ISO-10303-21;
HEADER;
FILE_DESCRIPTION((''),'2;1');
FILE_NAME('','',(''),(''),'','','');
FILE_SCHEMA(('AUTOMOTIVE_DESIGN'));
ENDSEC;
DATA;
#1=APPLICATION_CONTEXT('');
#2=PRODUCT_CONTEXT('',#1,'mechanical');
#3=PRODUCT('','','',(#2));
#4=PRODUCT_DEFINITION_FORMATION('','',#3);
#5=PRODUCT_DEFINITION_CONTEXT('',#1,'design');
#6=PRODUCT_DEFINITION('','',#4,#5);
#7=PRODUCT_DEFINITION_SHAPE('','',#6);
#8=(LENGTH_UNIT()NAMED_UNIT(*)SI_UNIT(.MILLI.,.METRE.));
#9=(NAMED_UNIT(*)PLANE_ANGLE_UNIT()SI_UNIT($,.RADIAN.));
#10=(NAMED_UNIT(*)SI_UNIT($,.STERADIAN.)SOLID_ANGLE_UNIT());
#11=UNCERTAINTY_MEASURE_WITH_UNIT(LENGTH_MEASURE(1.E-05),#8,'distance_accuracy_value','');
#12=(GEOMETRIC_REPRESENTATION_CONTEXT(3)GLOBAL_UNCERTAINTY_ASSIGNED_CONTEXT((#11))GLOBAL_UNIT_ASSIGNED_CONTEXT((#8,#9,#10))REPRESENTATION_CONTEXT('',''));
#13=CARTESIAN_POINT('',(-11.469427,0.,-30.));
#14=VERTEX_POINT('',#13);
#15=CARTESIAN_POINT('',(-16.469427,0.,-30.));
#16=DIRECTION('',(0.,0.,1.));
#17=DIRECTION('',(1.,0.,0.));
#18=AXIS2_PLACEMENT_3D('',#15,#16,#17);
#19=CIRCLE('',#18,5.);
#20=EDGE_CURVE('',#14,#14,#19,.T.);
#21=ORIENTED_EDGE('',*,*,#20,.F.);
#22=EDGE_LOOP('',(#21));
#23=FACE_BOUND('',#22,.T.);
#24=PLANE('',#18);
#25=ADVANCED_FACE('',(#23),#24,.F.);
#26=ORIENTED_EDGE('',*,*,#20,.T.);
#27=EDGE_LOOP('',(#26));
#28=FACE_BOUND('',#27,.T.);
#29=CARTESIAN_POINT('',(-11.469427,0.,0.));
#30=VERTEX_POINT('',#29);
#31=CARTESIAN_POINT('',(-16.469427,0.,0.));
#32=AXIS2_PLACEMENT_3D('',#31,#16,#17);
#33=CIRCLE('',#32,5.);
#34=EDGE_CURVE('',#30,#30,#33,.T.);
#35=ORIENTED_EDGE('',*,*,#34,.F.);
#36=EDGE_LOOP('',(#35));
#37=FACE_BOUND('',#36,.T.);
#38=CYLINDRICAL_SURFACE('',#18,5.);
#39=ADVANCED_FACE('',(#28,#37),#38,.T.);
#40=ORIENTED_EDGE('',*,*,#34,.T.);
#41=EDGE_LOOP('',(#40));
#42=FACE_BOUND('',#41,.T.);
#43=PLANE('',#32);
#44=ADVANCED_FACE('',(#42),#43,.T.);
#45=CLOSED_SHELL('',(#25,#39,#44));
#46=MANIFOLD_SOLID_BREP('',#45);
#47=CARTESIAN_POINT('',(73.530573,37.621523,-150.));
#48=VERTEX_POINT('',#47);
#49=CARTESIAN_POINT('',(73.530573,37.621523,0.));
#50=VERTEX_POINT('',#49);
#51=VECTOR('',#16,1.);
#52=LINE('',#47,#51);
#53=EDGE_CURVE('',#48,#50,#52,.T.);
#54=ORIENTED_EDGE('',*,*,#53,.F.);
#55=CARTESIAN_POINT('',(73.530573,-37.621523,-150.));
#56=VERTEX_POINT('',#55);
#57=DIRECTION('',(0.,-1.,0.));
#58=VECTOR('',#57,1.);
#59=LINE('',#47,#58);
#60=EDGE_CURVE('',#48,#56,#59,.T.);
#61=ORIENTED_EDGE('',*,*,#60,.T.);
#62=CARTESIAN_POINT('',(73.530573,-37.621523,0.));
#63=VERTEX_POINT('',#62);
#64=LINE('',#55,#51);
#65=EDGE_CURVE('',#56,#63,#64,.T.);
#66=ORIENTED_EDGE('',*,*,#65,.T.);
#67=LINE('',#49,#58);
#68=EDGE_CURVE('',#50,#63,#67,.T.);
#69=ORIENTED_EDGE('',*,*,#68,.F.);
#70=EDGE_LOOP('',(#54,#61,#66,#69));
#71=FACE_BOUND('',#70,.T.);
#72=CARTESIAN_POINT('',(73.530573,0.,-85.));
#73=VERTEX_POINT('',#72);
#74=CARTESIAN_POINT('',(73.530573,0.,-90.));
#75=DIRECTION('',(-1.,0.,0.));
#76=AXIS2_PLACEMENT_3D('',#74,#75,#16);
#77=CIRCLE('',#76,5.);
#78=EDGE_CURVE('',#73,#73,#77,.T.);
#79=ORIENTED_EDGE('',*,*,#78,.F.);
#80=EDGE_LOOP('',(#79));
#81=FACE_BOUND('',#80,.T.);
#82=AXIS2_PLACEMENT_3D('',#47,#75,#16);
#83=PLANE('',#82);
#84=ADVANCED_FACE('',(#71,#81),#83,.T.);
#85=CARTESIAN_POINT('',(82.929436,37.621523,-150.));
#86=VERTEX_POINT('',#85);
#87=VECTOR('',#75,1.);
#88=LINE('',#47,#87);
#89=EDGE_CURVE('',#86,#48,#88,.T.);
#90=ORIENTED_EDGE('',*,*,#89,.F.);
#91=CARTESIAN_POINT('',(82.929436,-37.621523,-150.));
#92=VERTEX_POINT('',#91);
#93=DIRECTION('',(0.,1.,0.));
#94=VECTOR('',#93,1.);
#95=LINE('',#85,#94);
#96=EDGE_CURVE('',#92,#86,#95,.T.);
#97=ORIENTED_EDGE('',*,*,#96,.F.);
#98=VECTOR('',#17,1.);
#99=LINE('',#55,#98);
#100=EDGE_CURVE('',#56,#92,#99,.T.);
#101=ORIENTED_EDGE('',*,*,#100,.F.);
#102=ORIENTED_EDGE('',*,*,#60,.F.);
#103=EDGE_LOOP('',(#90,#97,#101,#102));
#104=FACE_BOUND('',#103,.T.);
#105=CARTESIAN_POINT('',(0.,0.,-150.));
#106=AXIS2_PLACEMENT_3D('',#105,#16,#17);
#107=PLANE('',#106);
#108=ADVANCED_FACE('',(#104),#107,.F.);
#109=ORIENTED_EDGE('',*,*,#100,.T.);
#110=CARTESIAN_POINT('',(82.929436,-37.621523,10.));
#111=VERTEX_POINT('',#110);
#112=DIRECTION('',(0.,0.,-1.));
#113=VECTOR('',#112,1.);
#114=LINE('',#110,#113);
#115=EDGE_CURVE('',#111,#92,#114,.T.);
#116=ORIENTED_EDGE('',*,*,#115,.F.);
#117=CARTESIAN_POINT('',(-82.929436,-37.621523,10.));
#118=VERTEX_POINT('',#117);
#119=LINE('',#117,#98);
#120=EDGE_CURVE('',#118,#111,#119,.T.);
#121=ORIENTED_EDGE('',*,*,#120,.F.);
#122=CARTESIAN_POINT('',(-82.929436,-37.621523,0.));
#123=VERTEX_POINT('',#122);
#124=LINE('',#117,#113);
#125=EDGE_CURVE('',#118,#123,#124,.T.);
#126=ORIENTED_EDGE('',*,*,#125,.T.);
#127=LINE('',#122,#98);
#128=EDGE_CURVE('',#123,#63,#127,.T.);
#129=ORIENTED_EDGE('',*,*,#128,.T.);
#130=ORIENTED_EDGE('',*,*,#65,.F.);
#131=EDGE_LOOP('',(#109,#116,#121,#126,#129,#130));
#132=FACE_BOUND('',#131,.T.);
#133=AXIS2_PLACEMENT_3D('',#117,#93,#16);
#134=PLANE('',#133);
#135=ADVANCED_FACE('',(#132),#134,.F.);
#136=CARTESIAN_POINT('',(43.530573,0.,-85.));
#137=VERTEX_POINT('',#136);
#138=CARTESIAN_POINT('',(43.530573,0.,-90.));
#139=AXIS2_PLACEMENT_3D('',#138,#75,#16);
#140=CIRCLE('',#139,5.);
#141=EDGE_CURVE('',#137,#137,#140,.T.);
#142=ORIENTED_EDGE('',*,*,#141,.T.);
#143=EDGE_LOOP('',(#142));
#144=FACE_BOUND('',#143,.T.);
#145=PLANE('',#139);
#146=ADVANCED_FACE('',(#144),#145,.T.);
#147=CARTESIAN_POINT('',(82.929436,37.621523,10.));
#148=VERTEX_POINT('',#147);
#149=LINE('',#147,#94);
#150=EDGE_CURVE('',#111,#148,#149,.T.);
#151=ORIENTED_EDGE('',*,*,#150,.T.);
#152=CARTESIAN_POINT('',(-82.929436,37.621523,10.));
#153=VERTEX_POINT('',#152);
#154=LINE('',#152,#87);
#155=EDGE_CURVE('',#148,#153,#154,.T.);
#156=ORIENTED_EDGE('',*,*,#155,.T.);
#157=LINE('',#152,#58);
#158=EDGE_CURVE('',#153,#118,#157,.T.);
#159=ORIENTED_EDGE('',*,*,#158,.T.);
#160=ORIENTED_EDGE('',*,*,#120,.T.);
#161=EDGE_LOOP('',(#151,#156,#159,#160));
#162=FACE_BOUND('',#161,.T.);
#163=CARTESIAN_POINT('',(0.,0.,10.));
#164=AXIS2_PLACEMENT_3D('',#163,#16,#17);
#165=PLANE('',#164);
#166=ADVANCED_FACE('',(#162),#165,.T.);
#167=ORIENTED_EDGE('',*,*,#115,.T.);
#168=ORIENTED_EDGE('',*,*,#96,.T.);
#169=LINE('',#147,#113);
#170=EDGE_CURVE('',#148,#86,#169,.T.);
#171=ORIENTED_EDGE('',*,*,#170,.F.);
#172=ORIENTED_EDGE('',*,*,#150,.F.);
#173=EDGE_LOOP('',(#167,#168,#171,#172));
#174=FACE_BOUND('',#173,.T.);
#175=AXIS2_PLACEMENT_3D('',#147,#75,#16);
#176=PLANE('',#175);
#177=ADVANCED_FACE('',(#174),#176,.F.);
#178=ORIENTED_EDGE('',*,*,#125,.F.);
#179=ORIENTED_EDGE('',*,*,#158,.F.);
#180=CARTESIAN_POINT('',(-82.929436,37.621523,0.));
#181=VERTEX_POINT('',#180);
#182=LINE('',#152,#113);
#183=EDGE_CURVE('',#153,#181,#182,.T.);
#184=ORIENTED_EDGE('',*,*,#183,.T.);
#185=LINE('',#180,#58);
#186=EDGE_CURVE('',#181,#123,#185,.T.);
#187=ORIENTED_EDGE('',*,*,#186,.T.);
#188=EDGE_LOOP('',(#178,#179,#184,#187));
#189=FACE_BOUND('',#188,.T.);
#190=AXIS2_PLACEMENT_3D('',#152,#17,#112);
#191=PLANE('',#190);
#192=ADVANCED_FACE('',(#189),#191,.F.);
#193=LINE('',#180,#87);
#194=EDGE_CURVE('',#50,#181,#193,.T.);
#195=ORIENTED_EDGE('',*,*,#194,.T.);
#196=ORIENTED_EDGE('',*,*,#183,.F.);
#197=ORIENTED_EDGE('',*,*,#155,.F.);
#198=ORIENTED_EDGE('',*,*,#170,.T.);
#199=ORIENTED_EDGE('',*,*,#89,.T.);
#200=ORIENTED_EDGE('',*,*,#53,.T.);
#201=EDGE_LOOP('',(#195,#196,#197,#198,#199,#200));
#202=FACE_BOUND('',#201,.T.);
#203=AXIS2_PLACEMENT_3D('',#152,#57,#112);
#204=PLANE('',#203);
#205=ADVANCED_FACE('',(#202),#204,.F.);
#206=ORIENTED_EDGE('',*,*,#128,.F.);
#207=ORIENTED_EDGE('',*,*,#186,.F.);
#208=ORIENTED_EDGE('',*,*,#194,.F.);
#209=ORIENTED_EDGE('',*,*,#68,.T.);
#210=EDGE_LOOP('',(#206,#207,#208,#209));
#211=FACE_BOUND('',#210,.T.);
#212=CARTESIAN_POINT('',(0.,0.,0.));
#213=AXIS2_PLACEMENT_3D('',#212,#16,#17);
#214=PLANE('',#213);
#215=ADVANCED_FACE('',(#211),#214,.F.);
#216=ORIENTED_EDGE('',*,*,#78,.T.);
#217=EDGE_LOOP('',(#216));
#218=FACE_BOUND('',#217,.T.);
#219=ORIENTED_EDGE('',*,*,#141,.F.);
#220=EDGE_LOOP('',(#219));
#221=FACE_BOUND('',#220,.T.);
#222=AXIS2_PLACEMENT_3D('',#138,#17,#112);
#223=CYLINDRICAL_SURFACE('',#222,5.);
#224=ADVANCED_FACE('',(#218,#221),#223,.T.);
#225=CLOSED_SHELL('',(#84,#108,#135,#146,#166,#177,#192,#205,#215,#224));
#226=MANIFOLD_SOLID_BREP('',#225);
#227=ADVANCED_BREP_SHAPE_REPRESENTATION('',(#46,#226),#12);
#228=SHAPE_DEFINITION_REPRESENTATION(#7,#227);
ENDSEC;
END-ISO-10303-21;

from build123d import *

# Parameters (mm, degrees)
SKETCH1_W           = 165.858872534
SKETCH1_H           = 75.243046816
BOSS_EXTRUDE1_DEPTH = 10
SKETCH2_W           = 9.398863203
SKETCH2_H           = 75.243046816
BOSS_EXTRUDE2_DEPTH = 150
SKETCH4_R           = 5
BOSS_EXTRUDE3_DEPTH = 30
SKETCH5_R           = 5
BOSS_EXTRUDE4_DEPTH = 30


with BuildPart() as part:
    # Sketch1 → Boss-Extrude1 (new body)
    with BuildSketch(Plane.XY):
        Rectangle(SKETCH1_W, SKETCH1_H)
    extrude(amount=BOSS_EXTRUDE1_DEPTH)

    # Sketch2 → Boss-Extrude2 (add)
    with BuildSketch(Plane.XY):
        with Locations((78.230004666, 0)):
            Rectangle(SKETCH2_W, SKETCH2_H)
    extrude(amount=-BOSS_EXTRUDE2_DEPTH)

    # Sketch5 → Boss-Extrude4 (add)
    with BuildSketch(Plane.ZY.offset(-73.530573064)):
        with Locations((-90, 0)):
            Circle(SKETCH5_R)
    extrude(amount=BOSS_EXTRUDE4_DEPTH)


with BuildPart() as body_2:
    # Sketch4 → Boss-Extrude3 (new body)
    with BuildSketch(Plane.XY):
        with Locations((-16.469426936, 0)):
            Circle(SKETCH4_R)
    extrude(amount=-BOSS_EXTRUDE3_DEPTH)


solid = Compound([part.part, body_2.part])
